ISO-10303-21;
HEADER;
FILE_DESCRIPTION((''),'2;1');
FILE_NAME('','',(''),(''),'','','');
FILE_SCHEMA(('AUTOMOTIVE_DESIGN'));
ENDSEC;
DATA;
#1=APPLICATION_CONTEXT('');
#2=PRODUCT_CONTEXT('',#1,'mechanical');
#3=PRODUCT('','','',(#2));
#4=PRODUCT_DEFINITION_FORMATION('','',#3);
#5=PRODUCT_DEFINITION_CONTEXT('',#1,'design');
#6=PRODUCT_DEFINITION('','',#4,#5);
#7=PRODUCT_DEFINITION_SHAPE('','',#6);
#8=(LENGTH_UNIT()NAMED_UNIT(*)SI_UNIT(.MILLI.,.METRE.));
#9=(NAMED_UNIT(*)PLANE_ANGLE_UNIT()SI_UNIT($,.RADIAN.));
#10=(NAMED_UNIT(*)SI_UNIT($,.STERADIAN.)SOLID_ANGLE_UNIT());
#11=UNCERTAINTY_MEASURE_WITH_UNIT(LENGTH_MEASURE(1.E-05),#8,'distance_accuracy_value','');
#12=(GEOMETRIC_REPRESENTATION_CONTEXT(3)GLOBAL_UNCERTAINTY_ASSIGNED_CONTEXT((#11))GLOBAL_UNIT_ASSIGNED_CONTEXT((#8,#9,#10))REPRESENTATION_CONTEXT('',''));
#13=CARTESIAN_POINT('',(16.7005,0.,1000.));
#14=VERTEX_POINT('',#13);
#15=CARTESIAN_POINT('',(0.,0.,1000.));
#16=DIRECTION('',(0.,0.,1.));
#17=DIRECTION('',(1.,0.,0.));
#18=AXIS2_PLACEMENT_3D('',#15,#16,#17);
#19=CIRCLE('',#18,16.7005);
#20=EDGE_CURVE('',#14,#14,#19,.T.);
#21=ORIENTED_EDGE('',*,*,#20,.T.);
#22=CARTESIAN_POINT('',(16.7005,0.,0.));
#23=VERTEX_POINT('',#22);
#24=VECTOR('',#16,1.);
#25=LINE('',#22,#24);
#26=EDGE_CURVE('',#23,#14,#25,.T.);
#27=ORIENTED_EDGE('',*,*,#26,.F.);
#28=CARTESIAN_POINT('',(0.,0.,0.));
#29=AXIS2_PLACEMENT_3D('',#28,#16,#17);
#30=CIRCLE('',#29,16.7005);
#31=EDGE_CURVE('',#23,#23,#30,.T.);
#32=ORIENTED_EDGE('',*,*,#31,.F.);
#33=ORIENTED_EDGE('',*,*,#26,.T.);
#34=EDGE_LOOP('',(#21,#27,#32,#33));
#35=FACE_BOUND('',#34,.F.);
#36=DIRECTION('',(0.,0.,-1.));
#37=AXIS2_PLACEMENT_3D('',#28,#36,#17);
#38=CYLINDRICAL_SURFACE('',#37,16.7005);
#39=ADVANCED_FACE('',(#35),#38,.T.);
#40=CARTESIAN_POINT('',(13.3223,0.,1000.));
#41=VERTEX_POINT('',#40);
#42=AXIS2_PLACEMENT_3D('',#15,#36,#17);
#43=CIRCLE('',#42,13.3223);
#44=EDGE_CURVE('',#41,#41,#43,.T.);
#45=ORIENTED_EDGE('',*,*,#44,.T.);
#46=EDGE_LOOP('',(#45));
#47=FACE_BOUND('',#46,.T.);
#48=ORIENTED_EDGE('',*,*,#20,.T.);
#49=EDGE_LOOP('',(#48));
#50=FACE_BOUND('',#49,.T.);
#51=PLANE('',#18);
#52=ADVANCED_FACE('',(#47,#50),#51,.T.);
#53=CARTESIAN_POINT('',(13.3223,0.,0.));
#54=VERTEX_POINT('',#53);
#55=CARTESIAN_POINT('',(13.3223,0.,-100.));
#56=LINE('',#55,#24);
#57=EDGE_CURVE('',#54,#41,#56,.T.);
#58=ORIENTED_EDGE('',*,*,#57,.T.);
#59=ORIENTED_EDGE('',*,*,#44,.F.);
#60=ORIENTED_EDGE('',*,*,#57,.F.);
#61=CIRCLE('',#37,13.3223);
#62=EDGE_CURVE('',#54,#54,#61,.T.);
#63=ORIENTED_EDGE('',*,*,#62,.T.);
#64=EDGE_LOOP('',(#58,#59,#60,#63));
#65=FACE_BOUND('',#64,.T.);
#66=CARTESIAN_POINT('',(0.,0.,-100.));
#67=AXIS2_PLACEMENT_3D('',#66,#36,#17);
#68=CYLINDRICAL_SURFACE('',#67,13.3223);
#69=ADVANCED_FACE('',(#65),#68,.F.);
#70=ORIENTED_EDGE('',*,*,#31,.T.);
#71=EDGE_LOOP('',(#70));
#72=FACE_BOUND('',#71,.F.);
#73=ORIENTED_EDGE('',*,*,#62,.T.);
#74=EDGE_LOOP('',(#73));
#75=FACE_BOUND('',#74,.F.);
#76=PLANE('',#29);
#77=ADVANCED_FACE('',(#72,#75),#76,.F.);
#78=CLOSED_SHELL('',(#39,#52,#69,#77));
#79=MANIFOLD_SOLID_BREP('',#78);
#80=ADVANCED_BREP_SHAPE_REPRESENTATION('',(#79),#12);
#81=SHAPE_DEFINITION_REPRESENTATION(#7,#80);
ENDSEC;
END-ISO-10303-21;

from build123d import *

# Parameters (mm, degrees)
INNERCYLINDER_R     = 13.3223
INNERCYLINDER_DEPTH = 1200
OUTERCYLINDER_R     = 16.7005
OUTERCYLINDER_DEPTH = 1000


with BuildPart() as innercylinder:
    # InnerCylinder → InnerCylinder (new body)
    with BuildSketch(Plane.XY.offset(-100)):
        Circle(INNERCYLINDER_R)
    extrude(amount=INNERCYLINDER_DEPTH)


with BuildPart() as pipe:
    # OuterCylinder → OuterCylinder (new body)
    with BuildSketch(Plane.XY):
        Circle(OUTERCYLINDER_R)
    extrude(amount=OUTERCYLINDER_DEPTH)

    # Pipe: cut InnerCylinder
    add(innercylinder.part, mode=Mode.SUBTRACT)


solid = pipe.part
